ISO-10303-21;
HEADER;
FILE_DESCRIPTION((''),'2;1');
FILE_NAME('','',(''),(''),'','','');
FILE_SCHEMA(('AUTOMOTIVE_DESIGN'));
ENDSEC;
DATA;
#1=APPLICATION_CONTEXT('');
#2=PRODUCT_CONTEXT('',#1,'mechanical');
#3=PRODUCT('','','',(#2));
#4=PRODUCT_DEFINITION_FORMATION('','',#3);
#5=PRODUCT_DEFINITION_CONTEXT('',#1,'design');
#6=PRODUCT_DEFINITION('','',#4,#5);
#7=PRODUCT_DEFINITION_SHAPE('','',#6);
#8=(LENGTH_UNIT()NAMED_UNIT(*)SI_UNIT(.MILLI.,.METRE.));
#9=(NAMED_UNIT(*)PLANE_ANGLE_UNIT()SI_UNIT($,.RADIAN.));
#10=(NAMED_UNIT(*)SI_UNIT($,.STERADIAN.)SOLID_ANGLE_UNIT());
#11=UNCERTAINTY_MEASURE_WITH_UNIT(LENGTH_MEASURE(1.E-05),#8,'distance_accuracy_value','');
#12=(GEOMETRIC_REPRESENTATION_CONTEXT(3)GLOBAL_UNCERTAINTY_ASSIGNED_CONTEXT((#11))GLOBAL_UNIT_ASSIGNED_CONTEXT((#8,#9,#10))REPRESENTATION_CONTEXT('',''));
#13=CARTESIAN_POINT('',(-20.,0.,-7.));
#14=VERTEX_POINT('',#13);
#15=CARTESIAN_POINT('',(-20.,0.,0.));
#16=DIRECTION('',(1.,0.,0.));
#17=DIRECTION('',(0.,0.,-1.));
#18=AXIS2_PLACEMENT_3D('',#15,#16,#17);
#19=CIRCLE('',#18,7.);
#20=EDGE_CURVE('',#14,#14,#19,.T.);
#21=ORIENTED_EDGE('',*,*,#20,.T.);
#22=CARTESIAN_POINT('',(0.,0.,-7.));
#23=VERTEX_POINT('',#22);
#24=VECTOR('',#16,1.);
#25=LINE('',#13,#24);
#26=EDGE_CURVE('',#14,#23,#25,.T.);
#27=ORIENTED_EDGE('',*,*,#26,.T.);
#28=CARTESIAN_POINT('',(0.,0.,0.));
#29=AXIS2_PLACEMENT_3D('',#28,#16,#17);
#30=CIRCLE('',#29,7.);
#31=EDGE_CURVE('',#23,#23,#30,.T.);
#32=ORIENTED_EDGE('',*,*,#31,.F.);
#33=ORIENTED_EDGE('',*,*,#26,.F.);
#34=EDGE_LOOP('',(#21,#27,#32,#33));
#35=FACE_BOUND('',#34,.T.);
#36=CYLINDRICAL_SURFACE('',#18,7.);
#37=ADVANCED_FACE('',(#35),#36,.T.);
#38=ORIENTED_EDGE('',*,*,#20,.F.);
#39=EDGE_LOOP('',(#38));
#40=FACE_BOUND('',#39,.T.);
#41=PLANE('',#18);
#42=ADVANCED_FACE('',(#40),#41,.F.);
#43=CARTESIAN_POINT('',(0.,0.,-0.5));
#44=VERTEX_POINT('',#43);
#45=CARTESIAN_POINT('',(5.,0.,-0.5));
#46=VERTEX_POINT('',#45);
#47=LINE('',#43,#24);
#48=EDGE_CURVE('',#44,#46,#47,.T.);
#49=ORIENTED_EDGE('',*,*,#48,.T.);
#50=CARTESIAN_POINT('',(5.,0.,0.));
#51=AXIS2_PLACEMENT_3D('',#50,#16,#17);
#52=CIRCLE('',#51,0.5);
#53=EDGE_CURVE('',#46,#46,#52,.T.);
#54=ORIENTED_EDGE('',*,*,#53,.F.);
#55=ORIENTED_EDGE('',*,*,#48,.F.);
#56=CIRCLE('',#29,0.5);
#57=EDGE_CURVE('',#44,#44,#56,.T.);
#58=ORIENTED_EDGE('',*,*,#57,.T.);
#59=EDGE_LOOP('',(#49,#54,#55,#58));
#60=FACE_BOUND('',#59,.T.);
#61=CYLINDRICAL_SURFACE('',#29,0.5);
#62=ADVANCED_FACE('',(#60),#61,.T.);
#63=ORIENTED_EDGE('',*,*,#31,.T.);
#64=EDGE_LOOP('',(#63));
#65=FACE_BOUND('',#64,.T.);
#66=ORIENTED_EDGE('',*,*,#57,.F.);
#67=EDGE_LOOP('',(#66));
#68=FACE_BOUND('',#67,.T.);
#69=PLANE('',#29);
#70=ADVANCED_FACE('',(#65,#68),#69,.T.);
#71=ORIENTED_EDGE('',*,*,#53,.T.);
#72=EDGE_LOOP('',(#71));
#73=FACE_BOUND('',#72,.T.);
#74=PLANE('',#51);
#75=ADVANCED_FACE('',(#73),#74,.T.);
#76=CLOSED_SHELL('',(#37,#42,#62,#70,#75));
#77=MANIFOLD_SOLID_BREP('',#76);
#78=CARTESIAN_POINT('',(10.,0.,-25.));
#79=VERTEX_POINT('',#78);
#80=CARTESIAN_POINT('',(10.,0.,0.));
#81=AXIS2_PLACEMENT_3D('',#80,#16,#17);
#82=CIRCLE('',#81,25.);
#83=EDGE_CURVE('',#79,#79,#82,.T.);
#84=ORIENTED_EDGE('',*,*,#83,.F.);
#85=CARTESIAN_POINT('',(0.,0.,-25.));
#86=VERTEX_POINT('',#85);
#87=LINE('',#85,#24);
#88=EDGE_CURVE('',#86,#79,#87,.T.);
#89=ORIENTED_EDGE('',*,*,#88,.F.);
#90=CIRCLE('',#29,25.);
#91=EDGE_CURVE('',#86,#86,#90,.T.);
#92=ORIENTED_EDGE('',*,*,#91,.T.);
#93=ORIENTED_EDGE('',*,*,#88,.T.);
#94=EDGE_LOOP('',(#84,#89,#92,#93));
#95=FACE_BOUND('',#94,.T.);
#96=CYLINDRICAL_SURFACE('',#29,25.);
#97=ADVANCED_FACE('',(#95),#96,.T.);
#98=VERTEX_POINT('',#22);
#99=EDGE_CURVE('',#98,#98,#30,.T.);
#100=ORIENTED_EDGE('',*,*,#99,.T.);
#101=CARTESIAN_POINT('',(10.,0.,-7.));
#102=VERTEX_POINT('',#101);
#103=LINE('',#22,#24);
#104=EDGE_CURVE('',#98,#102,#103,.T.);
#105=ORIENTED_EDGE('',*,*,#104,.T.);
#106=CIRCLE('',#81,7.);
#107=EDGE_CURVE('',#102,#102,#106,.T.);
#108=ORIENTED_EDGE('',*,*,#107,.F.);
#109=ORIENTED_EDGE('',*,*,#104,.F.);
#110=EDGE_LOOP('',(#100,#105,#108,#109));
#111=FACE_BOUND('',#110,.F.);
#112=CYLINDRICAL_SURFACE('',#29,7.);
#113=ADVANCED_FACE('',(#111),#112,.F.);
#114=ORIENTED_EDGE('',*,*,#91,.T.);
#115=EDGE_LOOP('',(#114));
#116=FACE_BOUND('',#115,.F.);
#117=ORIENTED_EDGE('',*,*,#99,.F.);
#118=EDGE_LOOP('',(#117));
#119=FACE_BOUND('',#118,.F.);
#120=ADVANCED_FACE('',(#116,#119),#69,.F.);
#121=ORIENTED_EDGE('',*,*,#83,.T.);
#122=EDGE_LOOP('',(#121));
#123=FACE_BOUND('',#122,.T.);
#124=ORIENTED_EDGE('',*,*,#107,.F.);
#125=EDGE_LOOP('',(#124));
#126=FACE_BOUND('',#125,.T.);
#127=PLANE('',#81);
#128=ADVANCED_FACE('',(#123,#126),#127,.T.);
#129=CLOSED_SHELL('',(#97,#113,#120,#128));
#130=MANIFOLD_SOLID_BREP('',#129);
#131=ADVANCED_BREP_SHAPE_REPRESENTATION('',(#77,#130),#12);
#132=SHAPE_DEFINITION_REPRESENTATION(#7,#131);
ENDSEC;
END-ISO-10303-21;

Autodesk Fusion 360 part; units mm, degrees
cylinder "CylinderPrimitive1" add diameter 50 height 10 placed x (0, 0, -1) y (0, 1, 0) z (1, 0, 0) at (0, 0, 0) makes body 1
sketch "Sketch2" plane through (0, 0, 0) normal (1, 0, 0) x (0, 1, 0)
cylinder "CylinderPrimitive2" cut diameter 14 height 10 placed x (0, 0, -1) y (0, 1, 0) z (1, 0, 0) at (0, 0, 0) bodies 1
cylinder "CylinderPrimitive3" add diameter 14 height -20 placed x (0, 0, -1) y (0, 1, 0) z (1, 0, 0) at (0, 0, 0) separate body makes body 2
cylinder "CylinderPrimitive4" add diameter 1 height 5 placed x (0, 0, -1) y (0, 1, 0) z (1, 0, 0) at (0, 0, 0) bodies 2
